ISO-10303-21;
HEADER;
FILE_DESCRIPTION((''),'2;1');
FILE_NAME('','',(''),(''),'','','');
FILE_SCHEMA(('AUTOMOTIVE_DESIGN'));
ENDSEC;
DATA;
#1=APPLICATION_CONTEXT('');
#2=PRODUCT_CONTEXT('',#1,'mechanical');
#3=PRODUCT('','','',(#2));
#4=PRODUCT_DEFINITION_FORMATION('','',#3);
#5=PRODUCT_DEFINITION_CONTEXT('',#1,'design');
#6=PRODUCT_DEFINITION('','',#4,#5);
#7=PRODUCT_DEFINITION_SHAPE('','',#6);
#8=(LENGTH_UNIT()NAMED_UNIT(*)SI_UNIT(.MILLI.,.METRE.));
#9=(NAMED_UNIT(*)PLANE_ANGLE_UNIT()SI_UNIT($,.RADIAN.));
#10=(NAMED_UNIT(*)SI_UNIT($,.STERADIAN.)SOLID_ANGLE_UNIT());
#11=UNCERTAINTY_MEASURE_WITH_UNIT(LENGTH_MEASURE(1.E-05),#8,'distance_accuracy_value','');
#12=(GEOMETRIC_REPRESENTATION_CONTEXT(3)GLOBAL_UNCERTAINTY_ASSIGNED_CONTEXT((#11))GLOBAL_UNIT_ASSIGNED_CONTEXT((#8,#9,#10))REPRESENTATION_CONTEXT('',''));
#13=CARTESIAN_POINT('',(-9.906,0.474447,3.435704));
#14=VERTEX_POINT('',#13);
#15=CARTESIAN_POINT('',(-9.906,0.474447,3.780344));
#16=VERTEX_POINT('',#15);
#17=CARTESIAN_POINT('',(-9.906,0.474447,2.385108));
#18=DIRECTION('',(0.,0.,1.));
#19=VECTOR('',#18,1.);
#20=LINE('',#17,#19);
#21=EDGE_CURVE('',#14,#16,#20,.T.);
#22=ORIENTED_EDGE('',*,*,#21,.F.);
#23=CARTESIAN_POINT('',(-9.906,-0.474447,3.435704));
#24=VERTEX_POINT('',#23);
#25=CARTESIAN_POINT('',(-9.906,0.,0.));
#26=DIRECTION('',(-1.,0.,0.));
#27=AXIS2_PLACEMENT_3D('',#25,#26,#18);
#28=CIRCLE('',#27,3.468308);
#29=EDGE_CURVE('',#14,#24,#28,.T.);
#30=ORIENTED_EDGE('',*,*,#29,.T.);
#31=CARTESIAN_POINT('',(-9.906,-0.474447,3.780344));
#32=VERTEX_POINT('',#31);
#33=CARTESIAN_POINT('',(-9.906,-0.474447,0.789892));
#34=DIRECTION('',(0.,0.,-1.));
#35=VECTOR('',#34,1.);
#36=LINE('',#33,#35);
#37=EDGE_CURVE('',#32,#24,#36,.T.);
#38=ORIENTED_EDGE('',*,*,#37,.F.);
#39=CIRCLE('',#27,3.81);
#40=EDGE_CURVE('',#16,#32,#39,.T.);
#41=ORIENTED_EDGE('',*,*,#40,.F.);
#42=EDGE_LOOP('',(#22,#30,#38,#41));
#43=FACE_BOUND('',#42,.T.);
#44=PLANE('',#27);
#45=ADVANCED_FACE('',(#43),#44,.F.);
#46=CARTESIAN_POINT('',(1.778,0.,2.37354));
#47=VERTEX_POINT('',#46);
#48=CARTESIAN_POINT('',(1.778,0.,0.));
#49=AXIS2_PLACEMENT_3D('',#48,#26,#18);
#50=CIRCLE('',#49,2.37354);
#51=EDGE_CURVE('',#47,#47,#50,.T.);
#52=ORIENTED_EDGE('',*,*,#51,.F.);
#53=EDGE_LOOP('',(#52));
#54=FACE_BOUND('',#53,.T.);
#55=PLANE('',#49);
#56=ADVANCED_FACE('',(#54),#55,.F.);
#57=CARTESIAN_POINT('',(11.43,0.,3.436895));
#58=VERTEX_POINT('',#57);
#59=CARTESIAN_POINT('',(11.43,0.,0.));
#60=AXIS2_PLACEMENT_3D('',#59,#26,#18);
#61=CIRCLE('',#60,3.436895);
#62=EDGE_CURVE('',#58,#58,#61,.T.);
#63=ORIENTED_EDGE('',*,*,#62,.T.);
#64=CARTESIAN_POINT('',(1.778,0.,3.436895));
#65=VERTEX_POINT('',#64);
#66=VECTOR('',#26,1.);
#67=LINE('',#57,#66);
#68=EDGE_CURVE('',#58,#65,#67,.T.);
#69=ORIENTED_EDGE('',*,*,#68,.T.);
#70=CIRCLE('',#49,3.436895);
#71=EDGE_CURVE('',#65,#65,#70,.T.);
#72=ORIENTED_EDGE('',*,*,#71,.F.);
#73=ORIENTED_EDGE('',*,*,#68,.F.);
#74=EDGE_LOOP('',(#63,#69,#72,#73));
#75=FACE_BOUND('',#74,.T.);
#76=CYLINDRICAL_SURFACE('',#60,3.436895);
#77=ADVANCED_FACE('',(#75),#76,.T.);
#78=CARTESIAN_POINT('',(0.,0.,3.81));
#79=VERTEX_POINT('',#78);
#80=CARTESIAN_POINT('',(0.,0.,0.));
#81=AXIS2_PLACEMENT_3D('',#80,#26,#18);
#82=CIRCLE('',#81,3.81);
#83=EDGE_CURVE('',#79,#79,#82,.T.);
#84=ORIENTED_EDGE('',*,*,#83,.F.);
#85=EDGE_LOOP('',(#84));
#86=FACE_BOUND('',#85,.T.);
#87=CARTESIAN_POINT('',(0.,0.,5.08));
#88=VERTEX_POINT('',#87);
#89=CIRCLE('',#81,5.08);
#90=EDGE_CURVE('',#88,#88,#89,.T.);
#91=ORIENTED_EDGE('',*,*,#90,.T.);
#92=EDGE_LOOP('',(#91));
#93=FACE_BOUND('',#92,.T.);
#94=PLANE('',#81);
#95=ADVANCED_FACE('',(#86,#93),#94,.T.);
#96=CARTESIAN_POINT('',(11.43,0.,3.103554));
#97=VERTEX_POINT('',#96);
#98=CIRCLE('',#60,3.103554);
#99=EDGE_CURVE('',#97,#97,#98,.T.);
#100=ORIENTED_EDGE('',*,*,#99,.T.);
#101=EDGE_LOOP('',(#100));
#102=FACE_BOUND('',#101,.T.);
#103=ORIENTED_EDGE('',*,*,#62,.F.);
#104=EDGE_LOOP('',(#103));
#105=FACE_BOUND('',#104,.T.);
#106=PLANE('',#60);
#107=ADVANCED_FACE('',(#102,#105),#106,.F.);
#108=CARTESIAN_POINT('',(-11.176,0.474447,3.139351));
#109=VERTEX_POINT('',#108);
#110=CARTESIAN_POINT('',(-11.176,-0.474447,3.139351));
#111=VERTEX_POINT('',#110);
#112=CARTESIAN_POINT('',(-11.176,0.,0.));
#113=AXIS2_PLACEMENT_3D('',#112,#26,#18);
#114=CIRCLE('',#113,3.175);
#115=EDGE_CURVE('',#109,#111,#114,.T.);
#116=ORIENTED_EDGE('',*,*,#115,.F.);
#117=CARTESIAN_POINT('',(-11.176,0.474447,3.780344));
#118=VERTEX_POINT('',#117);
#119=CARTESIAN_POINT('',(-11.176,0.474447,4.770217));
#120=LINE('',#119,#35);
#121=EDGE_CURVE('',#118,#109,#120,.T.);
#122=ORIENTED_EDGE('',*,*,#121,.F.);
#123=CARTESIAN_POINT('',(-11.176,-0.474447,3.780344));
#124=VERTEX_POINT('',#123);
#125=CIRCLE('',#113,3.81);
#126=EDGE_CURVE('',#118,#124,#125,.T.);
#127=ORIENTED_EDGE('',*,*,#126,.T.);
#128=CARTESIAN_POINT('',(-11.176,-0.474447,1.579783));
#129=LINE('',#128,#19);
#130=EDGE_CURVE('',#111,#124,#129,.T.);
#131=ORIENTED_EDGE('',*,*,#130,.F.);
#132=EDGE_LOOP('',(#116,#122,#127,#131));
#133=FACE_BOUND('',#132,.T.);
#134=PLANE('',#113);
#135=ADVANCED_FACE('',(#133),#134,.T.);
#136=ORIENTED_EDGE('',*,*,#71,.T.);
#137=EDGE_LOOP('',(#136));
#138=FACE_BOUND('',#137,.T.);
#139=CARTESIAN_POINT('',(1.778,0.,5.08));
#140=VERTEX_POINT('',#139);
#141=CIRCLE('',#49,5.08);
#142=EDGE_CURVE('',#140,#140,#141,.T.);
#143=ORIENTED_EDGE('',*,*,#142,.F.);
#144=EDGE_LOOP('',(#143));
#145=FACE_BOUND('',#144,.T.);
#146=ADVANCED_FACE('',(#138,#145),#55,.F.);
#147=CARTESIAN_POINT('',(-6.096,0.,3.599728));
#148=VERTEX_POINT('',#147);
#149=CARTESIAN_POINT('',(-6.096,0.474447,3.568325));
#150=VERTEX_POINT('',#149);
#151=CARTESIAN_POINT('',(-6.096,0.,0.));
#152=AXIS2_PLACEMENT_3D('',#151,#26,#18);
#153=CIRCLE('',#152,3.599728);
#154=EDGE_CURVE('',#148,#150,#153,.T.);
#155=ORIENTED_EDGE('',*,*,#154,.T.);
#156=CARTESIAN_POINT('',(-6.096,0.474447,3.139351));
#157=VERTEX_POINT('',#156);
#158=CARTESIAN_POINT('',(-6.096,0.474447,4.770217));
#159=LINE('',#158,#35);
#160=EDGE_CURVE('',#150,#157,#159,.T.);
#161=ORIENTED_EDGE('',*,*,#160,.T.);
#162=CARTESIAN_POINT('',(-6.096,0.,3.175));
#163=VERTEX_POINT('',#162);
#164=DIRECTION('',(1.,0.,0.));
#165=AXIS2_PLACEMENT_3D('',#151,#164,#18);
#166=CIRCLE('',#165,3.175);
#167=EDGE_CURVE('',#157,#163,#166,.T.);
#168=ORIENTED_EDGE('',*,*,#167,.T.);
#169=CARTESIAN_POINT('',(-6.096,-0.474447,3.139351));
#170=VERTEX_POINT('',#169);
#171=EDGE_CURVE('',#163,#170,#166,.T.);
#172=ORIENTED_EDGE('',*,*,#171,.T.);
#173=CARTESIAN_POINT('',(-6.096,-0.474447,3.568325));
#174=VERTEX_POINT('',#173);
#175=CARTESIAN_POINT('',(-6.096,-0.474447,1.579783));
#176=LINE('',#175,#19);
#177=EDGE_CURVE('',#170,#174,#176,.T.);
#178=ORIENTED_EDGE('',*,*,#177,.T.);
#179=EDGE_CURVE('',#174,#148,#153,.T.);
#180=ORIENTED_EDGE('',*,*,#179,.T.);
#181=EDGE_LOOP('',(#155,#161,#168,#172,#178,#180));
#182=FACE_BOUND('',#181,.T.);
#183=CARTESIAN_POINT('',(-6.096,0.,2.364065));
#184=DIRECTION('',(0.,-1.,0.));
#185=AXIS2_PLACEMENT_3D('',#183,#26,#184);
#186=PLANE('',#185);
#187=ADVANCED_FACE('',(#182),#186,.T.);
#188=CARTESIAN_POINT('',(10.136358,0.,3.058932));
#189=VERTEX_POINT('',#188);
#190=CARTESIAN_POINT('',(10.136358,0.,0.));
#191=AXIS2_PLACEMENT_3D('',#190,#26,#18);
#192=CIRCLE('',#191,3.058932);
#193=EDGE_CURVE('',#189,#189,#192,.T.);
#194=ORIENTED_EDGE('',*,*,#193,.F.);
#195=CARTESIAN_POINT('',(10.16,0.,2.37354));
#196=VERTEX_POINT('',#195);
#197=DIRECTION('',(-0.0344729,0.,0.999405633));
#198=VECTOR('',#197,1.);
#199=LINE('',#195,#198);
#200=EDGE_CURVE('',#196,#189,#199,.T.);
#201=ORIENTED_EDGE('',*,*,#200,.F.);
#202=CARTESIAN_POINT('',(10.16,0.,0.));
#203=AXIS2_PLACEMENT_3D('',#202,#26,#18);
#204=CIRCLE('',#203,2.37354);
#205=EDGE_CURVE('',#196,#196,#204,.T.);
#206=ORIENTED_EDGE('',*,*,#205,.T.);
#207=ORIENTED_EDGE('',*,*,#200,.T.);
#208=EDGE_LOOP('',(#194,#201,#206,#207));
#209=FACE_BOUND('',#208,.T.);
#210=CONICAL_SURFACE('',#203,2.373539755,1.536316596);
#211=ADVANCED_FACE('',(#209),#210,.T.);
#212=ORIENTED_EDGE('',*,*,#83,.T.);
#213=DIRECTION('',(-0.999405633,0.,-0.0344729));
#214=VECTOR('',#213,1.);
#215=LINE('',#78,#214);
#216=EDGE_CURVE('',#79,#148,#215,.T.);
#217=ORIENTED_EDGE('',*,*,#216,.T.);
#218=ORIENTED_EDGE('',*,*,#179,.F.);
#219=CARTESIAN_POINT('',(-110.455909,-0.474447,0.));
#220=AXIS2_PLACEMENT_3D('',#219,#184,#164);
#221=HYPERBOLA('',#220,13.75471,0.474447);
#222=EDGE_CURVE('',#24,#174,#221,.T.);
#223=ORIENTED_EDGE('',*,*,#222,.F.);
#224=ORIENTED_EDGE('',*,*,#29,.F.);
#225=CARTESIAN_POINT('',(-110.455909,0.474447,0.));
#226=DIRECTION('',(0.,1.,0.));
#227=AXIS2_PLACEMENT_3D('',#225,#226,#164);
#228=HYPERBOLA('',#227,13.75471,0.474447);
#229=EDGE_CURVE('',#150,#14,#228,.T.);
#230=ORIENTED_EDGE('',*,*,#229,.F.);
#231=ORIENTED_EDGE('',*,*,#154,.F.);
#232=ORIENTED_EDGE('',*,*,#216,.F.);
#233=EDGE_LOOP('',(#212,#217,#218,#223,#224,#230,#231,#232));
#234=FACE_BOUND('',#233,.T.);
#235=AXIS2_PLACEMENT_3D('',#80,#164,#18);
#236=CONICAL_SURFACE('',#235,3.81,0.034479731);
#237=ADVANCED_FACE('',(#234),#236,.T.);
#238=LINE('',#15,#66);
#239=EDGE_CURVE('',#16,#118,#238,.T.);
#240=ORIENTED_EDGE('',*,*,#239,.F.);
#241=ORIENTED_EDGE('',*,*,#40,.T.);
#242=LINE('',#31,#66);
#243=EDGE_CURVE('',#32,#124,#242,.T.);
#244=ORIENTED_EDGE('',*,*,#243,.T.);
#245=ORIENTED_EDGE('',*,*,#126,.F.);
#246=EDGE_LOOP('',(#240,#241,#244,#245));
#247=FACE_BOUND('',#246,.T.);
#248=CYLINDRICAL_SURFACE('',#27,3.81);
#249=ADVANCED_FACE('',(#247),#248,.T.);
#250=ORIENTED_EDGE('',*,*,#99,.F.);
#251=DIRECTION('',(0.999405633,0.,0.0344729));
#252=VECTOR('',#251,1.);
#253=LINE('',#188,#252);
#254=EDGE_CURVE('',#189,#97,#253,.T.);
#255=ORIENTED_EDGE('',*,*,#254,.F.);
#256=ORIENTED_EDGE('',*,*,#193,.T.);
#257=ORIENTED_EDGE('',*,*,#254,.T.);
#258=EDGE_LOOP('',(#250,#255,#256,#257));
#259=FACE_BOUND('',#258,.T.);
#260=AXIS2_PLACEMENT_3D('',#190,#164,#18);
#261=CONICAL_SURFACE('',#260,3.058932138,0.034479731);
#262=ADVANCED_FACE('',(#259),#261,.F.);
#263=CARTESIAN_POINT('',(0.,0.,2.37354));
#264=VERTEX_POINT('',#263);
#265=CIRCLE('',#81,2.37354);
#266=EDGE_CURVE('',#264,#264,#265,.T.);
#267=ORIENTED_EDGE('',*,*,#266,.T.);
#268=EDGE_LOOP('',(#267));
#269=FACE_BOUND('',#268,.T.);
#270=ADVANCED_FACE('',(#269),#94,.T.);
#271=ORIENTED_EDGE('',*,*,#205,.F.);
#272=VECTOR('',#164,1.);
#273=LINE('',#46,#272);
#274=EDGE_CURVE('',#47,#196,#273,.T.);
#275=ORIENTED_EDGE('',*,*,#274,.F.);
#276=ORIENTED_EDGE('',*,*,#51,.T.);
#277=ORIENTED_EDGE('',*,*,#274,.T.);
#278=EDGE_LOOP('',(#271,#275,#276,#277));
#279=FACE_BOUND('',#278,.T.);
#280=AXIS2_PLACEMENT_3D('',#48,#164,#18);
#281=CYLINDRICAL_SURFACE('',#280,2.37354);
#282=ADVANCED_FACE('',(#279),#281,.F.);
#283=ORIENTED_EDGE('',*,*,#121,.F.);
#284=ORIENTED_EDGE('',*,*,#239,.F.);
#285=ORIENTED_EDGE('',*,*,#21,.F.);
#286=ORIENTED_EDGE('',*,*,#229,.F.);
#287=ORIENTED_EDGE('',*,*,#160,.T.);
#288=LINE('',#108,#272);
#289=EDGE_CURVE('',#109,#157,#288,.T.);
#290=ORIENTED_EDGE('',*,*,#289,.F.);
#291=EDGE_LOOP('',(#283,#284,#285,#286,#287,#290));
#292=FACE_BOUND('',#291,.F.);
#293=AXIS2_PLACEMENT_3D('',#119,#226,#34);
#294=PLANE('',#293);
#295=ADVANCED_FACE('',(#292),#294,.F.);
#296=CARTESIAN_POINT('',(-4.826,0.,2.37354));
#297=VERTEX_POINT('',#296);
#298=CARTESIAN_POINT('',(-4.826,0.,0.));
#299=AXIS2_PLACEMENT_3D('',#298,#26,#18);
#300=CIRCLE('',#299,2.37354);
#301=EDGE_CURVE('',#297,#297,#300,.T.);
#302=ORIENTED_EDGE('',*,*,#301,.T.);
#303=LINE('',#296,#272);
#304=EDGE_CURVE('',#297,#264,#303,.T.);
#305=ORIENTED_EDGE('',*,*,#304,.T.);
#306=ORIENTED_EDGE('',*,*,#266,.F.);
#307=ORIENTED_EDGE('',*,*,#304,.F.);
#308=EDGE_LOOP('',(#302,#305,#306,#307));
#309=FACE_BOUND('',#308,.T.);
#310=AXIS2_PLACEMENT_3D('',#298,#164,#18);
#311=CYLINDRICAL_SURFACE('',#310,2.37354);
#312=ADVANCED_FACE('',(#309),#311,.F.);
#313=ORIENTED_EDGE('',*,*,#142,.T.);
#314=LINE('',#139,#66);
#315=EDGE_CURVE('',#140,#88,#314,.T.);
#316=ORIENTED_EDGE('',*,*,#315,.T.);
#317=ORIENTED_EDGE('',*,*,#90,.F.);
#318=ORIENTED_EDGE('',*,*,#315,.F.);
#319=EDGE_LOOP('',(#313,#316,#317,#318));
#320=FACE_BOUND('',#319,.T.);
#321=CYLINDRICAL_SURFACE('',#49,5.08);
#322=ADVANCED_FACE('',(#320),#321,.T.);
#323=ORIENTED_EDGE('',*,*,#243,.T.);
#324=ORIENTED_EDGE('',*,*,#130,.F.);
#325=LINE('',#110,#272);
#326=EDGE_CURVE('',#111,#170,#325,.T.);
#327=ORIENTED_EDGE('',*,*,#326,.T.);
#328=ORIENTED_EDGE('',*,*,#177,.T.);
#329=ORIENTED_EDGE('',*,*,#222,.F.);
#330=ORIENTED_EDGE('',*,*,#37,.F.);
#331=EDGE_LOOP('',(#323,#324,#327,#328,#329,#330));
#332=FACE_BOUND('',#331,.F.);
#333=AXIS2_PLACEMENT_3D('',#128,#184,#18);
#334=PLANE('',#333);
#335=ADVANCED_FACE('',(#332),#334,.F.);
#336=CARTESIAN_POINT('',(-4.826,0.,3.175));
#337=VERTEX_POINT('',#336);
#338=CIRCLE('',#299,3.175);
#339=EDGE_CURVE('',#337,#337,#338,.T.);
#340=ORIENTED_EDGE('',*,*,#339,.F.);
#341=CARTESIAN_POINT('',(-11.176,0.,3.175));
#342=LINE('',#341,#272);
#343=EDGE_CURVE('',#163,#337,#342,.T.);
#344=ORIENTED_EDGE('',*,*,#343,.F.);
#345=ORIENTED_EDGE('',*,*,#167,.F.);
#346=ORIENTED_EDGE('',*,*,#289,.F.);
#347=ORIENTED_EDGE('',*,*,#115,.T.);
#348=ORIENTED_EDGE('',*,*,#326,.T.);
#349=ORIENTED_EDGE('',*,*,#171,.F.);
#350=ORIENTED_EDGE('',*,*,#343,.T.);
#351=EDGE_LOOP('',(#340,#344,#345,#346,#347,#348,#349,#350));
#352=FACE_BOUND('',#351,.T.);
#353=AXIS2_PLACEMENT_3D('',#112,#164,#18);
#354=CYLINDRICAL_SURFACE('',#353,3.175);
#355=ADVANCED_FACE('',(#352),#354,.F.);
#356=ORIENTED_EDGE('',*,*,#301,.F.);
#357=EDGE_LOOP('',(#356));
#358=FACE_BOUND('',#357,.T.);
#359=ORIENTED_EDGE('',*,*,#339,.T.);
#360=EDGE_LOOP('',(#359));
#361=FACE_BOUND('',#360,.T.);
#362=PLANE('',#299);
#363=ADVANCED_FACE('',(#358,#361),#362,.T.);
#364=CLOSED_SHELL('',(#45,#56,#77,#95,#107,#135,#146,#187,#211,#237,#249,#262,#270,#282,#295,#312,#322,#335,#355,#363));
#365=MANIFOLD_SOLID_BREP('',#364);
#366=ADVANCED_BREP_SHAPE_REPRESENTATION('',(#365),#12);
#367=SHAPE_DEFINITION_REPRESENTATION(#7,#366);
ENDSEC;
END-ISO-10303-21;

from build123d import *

# Parameters (mm, degrees)
F3_DEPTH = 5.08


with BuildPart() as f1:
    # F0 (on Front) → F1 (revolve)
    with BuildSketch(Plane.XZ):
        Polygon((0, 2.3735397548), (0, 0), (1.778, 0), (1.778, 2.3735397548), (10.16, 2.3735397548), (10.1363584854, 3.0589321379), (11.43, 3.103554234), (11.43, 3.4368946217), (1.778, 3.4368946217), (1.778, 5.08), (0, 5.08), (0, 3.81), (-9.906, 3.468308365), (-9.906, 3.81), (-11.176, 3.81), (-11.176, 3.175), (-4.826, 3.175), (-4.826, 2.3735397548), align=None)
    revolve(axis=Axis((0.889, 0, 0), (-1, 0, 0)))

    # F2 (on face) → F3 (cut)
    with BuildSketch(Plane(origin=(-11.176, 0, 0), x_dir=(0, -1, 0), z_dir=(-1, 0, 0))):
        with BuildLine():
            ThreePointArc((0.4744467442, 3.1393510933), (0, 3.175), (-0.4744467442, 3.1393510933))
            Line((-0.4744467442, 3.1393510933), (-0.4744467442, 1.5797834679))
            Line((-0.4744467442, 1.5797834679), (0.4744467442, 1.5797834679))
            Line((0.4744467442, 1.5797834679), (0.4744467442, 3.1393510933))
        make_face()
        with BuildLine():
            Line((0.4744467442, 4.7702165321), (-0.4744467442, 4.7702165321))
            Line((-0.4744467442, 4.7702165321), (-0.4744467442, 3.7803439376))
            ThreePointArc((-0.4744467442, 3.7803439376), (0, 3.81), (0.4744467442, 3.7803439376))
            Line((0.4744467442, 3.7803439376), (0.4744467442, 4.7702165321))
        make_face()
        with BuildLine():
            ThreePointArc((0.4744467442, 3.7803439376), (0, 3.81), (-0.4744467442, 3.7803439376))
            Line((-0.4744467442, 3.7803439376), (-0.4744467442, 3.1393510933))
            ThreePointArc((-0.4744467442, 3.1393510933), (0, 3.175), (0.4744467442, 3.1393510933))
            Line((0.4744467442, 3.1393510933), (0.4744467442, 3.7803439376))
        make_face()
    extrude(amount=-F3_DEPTH, mode=Mode.SUBTRACT)


solid = f1.part
